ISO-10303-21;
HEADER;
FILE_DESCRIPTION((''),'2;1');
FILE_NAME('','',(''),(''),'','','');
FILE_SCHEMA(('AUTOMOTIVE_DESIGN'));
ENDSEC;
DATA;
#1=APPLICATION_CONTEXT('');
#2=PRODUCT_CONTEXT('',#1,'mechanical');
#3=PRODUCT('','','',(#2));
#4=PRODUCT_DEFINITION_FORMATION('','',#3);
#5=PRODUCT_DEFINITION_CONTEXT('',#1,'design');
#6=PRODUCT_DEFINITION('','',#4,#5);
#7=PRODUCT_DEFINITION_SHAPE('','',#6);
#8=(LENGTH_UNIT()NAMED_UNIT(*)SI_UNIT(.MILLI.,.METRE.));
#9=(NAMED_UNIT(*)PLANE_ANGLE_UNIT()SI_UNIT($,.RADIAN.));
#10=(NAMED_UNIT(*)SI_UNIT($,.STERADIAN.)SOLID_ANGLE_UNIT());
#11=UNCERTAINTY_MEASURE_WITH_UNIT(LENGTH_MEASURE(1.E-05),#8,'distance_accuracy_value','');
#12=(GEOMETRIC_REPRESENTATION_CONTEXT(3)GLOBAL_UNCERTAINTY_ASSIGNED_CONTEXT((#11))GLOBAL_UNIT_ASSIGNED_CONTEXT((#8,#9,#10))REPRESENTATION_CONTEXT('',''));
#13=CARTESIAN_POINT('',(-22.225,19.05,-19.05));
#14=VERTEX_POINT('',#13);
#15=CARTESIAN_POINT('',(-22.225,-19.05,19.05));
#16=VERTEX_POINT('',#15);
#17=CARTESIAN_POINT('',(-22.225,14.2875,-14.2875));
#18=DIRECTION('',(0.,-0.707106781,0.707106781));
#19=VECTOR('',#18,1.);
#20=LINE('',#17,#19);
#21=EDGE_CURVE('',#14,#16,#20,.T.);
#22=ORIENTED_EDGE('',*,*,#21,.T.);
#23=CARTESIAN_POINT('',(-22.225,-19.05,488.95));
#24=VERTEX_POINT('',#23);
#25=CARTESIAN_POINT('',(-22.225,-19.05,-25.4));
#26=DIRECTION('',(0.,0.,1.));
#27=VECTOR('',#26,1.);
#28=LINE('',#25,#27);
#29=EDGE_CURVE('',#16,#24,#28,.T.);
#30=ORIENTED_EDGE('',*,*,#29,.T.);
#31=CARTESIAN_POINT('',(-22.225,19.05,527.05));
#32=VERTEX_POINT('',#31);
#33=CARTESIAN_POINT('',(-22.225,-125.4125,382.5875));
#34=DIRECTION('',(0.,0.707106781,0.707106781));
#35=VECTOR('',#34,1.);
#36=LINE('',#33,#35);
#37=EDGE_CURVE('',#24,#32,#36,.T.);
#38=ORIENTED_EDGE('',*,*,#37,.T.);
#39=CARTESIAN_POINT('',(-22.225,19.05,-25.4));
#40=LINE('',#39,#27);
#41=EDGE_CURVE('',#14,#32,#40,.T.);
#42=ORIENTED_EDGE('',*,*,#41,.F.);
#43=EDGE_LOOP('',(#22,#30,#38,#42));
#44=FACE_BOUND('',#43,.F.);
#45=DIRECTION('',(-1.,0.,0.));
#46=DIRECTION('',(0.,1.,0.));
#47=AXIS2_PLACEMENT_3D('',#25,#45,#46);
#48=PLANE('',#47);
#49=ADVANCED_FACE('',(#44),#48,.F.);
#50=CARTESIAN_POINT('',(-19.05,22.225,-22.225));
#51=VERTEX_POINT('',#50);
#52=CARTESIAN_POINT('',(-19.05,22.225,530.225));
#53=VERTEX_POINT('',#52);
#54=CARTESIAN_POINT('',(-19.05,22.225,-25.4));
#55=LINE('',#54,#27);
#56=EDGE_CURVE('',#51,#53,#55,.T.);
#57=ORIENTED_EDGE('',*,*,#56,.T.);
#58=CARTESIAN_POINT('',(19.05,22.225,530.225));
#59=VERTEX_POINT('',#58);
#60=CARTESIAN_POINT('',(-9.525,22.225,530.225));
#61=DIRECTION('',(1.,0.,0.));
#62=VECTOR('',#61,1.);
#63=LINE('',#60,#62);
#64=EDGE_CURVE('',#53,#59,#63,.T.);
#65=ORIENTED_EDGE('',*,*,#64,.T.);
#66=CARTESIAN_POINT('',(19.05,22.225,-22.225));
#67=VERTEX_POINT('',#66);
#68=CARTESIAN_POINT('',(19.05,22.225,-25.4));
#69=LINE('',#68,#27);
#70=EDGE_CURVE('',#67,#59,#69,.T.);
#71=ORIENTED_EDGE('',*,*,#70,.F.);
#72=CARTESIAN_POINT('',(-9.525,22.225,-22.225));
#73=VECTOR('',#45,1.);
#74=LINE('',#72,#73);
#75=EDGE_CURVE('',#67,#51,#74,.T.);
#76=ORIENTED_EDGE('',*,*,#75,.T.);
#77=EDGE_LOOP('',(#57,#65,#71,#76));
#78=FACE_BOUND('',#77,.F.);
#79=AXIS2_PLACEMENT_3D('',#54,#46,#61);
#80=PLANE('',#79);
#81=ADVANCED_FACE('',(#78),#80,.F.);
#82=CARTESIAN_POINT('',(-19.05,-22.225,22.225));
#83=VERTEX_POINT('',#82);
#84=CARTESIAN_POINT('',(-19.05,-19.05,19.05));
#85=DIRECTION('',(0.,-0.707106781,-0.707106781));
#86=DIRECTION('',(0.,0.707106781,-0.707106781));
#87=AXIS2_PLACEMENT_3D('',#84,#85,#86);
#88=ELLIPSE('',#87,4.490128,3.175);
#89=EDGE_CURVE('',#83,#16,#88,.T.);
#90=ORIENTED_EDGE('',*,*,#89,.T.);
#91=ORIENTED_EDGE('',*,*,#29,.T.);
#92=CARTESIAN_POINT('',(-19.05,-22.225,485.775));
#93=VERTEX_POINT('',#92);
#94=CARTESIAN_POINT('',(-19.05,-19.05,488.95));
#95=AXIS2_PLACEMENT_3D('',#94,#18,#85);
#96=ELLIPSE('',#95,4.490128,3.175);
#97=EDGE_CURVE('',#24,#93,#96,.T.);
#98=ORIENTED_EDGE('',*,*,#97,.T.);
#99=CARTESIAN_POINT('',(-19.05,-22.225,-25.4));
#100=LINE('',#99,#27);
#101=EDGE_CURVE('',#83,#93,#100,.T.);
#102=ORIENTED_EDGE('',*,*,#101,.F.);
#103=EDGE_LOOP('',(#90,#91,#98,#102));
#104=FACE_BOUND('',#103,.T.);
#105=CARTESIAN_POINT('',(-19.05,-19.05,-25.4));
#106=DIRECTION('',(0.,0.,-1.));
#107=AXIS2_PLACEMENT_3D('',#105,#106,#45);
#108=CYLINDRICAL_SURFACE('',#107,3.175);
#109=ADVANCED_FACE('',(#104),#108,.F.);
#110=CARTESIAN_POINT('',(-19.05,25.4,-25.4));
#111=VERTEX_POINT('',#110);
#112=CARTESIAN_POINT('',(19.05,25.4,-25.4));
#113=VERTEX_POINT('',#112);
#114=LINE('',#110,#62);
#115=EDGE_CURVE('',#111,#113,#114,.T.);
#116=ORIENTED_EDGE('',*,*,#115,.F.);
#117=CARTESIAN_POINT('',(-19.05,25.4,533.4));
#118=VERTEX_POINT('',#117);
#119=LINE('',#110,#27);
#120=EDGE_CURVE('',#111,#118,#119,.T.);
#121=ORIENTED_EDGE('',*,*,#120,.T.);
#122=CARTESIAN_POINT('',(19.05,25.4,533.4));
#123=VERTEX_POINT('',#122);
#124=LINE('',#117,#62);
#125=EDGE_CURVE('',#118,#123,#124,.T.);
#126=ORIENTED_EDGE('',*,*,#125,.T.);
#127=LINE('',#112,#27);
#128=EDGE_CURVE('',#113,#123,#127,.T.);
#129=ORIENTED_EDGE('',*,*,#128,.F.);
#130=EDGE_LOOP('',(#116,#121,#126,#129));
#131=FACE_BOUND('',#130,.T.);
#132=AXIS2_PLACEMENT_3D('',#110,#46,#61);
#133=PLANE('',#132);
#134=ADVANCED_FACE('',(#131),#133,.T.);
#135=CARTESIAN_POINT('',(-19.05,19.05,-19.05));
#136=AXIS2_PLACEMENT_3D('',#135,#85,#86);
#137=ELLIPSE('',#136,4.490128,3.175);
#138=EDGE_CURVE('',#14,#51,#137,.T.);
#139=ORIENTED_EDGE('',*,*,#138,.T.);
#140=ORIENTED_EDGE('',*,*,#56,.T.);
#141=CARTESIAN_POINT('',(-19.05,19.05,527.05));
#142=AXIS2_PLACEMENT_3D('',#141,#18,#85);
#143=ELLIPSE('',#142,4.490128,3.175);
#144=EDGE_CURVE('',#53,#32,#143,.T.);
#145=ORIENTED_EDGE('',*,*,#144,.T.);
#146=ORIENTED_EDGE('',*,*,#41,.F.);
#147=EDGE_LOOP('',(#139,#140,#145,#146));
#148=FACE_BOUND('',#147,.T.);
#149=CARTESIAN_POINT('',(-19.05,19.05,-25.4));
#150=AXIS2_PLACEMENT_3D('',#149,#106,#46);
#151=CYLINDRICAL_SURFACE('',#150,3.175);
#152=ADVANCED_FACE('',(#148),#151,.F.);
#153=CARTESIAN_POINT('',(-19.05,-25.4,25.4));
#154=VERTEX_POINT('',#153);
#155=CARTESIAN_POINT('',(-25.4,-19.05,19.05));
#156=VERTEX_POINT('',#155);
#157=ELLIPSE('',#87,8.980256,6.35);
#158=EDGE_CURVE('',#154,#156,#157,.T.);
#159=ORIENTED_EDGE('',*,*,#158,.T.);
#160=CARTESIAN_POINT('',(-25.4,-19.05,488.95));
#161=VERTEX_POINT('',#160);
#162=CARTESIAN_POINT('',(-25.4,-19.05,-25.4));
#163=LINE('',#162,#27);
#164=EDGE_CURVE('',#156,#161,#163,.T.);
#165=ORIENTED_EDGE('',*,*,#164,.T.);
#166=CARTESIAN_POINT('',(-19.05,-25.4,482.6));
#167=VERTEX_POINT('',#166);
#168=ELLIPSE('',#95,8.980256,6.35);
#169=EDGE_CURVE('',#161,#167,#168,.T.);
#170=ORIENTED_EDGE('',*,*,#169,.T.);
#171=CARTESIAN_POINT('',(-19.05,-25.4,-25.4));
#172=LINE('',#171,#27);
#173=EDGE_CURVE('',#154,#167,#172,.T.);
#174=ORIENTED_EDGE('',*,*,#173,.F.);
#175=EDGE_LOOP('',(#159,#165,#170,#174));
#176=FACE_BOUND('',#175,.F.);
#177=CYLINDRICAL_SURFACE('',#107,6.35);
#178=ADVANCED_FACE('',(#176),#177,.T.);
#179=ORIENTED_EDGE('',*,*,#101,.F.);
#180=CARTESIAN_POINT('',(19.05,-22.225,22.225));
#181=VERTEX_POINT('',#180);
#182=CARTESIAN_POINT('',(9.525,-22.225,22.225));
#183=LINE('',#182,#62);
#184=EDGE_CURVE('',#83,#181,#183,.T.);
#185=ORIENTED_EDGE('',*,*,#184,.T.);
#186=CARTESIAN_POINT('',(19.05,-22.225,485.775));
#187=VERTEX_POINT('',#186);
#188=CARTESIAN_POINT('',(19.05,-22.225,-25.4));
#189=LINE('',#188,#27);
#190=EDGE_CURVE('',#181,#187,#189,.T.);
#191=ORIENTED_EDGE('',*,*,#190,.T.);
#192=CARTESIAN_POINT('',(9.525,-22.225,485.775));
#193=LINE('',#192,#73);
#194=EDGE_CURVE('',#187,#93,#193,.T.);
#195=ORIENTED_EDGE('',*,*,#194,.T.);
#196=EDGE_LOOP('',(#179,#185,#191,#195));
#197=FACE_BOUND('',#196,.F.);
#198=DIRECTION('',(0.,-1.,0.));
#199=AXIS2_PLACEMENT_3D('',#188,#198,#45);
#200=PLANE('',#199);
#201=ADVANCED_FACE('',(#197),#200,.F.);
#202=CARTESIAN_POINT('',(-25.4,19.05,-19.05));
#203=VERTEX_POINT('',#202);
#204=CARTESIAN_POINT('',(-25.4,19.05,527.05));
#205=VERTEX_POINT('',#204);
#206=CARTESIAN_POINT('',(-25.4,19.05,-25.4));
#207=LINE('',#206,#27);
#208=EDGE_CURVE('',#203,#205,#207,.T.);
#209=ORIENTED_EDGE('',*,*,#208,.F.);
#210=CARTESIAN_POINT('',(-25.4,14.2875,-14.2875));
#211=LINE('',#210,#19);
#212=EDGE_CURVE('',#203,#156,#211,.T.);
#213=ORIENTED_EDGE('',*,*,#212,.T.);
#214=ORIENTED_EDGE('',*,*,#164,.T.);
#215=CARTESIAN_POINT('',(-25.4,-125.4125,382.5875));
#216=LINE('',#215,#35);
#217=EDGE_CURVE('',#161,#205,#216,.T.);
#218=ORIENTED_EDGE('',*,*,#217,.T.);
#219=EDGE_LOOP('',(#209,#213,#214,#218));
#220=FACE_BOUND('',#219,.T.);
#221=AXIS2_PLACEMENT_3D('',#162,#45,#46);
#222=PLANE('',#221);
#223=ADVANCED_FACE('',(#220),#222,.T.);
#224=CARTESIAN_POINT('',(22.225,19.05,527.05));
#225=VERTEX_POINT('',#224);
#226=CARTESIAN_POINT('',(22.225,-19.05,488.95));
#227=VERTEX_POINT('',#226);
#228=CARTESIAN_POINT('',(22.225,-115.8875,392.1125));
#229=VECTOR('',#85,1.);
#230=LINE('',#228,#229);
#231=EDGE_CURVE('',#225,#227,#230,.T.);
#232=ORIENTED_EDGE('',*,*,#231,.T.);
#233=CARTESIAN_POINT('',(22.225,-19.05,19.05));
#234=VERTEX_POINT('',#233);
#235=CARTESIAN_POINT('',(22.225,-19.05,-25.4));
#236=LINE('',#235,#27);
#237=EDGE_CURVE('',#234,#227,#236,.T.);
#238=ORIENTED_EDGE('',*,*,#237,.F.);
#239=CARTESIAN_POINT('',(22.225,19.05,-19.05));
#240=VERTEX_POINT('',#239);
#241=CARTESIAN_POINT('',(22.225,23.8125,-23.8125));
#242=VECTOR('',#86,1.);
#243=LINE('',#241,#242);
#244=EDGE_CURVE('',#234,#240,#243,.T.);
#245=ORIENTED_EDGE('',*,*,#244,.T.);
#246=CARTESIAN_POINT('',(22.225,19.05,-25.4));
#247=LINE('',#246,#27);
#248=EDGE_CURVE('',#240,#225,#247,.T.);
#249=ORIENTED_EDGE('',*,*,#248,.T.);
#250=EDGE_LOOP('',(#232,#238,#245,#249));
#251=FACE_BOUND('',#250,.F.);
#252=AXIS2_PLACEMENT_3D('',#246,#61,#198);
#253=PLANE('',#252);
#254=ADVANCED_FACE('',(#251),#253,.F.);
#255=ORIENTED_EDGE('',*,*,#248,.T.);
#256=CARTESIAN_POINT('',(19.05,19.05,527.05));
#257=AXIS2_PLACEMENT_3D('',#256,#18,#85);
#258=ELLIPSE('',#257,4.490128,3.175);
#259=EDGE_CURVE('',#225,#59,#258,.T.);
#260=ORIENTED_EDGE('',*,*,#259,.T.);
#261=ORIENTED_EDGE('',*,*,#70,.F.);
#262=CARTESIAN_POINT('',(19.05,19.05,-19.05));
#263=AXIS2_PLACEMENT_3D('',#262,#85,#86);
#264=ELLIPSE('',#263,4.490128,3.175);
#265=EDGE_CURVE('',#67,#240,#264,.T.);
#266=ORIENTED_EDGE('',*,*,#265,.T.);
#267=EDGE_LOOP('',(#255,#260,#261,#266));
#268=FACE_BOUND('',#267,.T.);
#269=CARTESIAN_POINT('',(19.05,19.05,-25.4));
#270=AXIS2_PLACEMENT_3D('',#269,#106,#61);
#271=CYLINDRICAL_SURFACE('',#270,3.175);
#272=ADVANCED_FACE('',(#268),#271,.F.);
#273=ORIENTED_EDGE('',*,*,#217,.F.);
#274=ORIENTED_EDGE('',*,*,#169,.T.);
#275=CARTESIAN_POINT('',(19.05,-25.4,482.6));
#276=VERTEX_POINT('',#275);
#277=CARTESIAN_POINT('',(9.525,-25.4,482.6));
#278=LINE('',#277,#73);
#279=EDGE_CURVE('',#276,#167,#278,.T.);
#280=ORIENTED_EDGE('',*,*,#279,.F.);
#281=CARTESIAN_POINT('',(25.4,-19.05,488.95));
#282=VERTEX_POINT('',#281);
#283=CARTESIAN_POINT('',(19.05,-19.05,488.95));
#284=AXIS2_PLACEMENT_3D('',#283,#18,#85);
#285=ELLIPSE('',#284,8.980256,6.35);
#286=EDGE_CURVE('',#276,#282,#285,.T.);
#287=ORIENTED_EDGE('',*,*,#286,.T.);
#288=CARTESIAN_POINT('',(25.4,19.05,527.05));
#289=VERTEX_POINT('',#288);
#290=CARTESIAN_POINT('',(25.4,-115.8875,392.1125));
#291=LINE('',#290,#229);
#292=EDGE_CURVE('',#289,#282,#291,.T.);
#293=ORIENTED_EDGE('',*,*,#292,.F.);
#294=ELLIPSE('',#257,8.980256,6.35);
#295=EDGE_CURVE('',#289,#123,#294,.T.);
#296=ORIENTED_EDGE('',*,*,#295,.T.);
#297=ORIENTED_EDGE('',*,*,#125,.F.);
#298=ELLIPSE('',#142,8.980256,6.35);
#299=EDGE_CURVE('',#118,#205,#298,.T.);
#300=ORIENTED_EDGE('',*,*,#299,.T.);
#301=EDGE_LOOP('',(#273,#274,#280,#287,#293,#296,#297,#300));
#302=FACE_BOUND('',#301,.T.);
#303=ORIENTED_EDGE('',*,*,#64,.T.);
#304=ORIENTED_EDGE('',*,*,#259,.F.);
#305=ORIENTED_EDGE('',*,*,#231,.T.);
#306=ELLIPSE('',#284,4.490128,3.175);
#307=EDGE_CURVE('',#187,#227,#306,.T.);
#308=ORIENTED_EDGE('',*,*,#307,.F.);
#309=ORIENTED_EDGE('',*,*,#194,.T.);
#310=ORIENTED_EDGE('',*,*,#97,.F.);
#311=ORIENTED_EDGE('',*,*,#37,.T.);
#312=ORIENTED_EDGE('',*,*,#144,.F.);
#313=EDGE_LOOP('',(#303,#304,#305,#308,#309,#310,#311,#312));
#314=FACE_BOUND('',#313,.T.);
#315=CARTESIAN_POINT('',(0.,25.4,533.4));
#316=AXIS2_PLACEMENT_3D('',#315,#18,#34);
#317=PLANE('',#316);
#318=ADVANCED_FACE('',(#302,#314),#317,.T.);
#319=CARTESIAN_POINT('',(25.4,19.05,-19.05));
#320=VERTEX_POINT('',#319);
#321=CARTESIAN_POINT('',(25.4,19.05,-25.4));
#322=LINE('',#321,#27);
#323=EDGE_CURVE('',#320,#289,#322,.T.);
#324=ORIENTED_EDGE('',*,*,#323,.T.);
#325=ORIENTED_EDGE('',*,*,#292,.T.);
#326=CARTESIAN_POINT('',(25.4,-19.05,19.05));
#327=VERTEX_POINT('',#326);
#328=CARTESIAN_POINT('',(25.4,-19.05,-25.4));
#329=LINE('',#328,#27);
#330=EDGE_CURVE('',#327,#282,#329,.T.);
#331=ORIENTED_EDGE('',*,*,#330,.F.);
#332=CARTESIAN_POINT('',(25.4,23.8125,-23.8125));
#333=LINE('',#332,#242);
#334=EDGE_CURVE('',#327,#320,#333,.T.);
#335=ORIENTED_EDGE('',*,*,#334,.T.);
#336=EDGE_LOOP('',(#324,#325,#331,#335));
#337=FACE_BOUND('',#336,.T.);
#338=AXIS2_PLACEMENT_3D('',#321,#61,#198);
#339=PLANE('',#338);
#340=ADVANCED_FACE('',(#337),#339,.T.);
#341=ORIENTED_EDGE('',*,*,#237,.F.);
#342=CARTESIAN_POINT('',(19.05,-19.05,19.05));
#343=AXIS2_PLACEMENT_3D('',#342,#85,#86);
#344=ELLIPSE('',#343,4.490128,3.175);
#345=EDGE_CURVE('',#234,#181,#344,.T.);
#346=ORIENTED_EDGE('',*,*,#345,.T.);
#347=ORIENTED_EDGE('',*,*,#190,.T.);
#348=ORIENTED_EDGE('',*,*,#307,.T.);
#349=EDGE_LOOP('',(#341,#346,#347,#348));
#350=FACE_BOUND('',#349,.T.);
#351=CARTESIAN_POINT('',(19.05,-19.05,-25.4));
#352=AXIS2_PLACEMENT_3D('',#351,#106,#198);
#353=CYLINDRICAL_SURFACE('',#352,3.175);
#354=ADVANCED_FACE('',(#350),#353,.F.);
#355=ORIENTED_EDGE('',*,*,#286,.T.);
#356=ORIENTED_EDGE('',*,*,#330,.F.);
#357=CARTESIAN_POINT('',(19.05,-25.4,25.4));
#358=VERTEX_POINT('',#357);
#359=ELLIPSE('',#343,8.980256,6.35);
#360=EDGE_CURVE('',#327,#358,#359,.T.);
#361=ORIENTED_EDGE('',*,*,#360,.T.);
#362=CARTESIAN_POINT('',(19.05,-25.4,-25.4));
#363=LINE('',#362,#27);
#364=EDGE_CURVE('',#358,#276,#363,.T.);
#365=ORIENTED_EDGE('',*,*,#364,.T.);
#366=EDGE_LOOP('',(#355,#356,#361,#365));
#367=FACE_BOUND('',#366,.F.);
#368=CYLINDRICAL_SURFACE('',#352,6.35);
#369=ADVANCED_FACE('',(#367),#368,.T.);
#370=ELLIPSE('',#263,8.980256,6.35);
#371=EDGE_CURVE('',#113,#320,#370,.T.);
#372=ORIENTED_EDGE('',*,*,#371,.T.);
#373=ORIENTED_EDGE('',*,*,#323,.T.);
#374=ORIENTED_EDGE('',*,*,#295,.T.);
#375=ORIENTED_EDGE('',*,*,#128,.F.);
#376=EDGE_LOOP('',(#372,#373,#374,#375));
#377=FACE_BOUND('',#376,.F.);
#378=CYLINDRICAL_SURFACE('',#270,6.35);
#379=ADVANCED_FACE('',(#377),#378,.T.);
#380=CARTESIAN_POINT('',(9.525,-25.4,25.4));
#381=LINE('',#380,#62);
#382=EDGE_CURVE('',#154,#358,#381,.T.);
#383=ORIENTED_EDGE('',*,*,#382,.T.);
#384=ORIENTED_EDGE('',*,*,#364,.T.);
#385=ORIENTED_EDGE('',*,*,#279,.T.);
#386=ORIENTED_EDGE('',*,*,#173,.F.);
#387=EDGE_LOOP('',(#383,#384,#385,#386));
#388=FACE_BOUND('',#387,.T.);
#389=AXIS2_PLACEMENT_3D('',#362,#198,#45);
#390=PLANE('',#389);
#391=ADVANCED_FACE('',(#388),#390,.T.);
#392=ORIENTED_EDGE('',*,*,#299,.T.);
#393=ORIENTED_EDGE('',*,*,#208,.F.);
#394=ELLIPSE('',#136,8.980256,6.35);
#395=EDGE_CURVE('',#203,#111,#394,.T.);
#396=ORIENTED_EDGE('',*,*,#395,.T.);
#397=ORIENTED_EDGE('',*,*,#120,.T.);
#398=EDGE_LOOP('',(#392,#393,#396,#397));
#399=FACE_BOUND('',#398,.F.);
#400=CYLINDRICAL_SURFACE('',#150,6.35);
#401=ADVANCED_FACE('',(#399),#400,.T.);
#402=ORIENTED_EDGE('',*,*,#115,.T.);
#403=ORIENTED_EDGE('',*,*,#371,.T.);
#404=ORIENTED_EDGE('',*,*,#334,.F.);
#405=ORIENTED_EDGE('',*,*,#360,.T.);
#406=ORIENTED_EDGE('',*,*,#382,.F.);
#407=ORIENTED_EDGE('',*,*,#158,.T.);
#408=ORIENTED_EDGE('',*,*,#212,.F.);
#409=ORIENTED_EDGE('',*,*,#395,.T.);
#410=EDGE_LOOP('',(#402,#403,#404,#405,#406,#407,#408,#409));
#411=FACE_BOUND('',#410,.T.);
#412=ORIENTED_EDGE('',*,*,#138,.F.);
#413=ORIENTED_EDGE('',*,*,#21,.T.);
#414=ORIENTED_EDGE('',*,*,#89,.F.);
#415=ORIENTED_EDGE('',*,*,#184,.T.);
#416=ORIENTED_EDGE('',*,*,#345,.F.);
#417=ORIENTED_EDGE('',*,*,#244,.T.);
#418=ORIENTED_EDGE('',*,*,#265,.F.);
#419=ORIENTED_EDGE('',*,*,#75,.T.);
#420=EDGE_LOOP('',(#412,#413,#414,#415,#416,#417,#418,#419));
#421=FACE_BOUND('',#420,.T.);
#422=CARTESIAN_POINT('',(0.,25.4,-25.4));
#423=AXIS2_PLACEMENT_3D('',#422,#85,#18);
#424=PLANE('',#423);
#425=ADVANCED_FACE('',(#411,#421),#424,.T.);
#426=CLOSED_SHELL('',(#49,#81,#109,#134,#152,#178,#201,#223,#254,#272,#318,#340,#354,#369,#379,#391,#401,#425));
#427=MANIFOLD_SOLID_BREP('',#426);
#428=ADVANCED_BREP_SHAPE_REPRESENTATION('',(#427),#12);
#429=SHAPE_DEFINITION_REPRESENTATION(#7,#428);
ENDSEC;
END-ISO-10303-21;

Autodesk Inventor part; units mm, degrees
ref_plane "Start Plane" through (0, 0, -25.4) normal (0, 0, 1) x (1, 0, 0)
ref_plane "End Plane" through (0, 0, 533.4) normal (0, 0, 1) x (1, 0, 0)
sketch "Sketch" plane through (0, 0, 0) normal (0, 0, 1) x (1, 0, 0)
  line L0 (-25.4, -19.05) -> (-25.4, 19.05)
  line L1 (-19.05, 25.4) -> (19.05, 25.4)
  line L2 (25.4, 19.05) -> (25.4, -19.05)
  line L3 (19.05, -25.4) -> (-19.05, -25.4)
  arc A0 (-25.4, -19.05) -> (-19.05, -25.4) centre (-19.05, -19.05) ccw
  arc A1 (-19.05, 25.4) -> (-25.4, 19.05) centre (-19.05, 19.05) ccw
  arc A2 (25.4, 19.05) -> (19.05, 25.4) centre (19.05, 19.05) ccw
  arc A3 (19.05, -25.4) -> (25.4, -19.05) centre (19.05, -19.05) ccw
  arc A4 (-19.05, 22.225) -> (-22.225, 19.05) centre (-19.05, 19.05) ccw
  line L4 (-19.05, 22.225) -> (19.05, 22.225)
  arc A5 (22.225, 19.05) -> (19.05, 22.225) centre (19.05, 19.05) ccw
  line L5 (22.225, 19.05) -> (22.225, -19.05)
  arc A6 (19.05, -22.225) -> (22.225, -19.05) centre (19.05, -19.05) ccw
  line L6 (19.05, -22.225) -> (-19.05, -22.225)
  arc A7 (-22.225, -19.05) -> (-19.05, -22.225) centre (-19.05, -19.05) ccw
  line L7 (-22.225, -19.05) -> (-22.225, 19.05)
  line L8 (0, 37.4012) -> (0, -37.4012) construction
  line L9 (-37.4012, 0) -> (37.4012, 0) construction
  dimension "d10" = 50.8
  dimension "d11" = 50.8
  dimension "d12" = 3.175
  dimension "d15" = 25.4
  dimension "d16" = 25.4
  dimension "d17" = 6.35
extrude "Body" add sketch "Sketch" along normal up to surface (558.8 mm away) from surface at -25.4
sketch "Sketch3" plane through (0, 0, 0) normal (0, 0, 1) x (1, 0, 0)
  line L0 (0, 0) -> (10, 0)
ref_plane "Work Plane3" through (0, 0, 0) normal (0, -1, 0) x (1, 0, 0)
sketch "Sketch4" plane through (0, 0, 0) normal (0, -1, 0) x (1, 0, 0)
  line L0 (-2, -25.4) -> (12, -25.4)
  line L1 (-2, 533.4) -> (12, 533.4)
  dimension "d19" = 558.8
ref_plane "Work Plane4" through (0, 25.4, 533.4) normal (0, -0.7071, 0.7071) x (1, 0, 0)
split "Split1" plane through (0, 25.4, 533.4) removes the side toward (0, -0.7071, 0.7071)
ref_plane "Work Plane5" through (0, 25.4, -25.4) normal (0, -0.7071, -0.7071) x (1, 0, 0)
split "Split2" plane through (0, 25.4, -25.4) removes the side toward (0, -0.7071, -0.7071)
equation "\"d10\" = G_H"
equation "\"d11\" = G_W"
equation "\"d12\" = G_T"
equation "\"d15\" = 0.5 * d10"
equation "\"d16\" = 0.5 * d11"
equation "\"d17\" = G_IR"
equation "\"d3\" = G_L"
equation "\"G_W\" = 50.8"
equation "\"G_H\" = 50.8"
equation "\"G_T\" = 3.175"
equation "\"G_IR\" = 6.35"
equation "\"G_L\" = d19"
equation "\"G_OFFSET_START\" = 25.4"
equation "\"G_OFFSET_END\" = 25.4"
equation "\"d13\" = -G_OFFSET_START"
equation "\"d14\" = G_OFFSET_END + B_L"
equation "\"B_L\" = 508"
properties part number "AISC - 2 x 2 x 1/8 - 22" material "Steel, Mild"
